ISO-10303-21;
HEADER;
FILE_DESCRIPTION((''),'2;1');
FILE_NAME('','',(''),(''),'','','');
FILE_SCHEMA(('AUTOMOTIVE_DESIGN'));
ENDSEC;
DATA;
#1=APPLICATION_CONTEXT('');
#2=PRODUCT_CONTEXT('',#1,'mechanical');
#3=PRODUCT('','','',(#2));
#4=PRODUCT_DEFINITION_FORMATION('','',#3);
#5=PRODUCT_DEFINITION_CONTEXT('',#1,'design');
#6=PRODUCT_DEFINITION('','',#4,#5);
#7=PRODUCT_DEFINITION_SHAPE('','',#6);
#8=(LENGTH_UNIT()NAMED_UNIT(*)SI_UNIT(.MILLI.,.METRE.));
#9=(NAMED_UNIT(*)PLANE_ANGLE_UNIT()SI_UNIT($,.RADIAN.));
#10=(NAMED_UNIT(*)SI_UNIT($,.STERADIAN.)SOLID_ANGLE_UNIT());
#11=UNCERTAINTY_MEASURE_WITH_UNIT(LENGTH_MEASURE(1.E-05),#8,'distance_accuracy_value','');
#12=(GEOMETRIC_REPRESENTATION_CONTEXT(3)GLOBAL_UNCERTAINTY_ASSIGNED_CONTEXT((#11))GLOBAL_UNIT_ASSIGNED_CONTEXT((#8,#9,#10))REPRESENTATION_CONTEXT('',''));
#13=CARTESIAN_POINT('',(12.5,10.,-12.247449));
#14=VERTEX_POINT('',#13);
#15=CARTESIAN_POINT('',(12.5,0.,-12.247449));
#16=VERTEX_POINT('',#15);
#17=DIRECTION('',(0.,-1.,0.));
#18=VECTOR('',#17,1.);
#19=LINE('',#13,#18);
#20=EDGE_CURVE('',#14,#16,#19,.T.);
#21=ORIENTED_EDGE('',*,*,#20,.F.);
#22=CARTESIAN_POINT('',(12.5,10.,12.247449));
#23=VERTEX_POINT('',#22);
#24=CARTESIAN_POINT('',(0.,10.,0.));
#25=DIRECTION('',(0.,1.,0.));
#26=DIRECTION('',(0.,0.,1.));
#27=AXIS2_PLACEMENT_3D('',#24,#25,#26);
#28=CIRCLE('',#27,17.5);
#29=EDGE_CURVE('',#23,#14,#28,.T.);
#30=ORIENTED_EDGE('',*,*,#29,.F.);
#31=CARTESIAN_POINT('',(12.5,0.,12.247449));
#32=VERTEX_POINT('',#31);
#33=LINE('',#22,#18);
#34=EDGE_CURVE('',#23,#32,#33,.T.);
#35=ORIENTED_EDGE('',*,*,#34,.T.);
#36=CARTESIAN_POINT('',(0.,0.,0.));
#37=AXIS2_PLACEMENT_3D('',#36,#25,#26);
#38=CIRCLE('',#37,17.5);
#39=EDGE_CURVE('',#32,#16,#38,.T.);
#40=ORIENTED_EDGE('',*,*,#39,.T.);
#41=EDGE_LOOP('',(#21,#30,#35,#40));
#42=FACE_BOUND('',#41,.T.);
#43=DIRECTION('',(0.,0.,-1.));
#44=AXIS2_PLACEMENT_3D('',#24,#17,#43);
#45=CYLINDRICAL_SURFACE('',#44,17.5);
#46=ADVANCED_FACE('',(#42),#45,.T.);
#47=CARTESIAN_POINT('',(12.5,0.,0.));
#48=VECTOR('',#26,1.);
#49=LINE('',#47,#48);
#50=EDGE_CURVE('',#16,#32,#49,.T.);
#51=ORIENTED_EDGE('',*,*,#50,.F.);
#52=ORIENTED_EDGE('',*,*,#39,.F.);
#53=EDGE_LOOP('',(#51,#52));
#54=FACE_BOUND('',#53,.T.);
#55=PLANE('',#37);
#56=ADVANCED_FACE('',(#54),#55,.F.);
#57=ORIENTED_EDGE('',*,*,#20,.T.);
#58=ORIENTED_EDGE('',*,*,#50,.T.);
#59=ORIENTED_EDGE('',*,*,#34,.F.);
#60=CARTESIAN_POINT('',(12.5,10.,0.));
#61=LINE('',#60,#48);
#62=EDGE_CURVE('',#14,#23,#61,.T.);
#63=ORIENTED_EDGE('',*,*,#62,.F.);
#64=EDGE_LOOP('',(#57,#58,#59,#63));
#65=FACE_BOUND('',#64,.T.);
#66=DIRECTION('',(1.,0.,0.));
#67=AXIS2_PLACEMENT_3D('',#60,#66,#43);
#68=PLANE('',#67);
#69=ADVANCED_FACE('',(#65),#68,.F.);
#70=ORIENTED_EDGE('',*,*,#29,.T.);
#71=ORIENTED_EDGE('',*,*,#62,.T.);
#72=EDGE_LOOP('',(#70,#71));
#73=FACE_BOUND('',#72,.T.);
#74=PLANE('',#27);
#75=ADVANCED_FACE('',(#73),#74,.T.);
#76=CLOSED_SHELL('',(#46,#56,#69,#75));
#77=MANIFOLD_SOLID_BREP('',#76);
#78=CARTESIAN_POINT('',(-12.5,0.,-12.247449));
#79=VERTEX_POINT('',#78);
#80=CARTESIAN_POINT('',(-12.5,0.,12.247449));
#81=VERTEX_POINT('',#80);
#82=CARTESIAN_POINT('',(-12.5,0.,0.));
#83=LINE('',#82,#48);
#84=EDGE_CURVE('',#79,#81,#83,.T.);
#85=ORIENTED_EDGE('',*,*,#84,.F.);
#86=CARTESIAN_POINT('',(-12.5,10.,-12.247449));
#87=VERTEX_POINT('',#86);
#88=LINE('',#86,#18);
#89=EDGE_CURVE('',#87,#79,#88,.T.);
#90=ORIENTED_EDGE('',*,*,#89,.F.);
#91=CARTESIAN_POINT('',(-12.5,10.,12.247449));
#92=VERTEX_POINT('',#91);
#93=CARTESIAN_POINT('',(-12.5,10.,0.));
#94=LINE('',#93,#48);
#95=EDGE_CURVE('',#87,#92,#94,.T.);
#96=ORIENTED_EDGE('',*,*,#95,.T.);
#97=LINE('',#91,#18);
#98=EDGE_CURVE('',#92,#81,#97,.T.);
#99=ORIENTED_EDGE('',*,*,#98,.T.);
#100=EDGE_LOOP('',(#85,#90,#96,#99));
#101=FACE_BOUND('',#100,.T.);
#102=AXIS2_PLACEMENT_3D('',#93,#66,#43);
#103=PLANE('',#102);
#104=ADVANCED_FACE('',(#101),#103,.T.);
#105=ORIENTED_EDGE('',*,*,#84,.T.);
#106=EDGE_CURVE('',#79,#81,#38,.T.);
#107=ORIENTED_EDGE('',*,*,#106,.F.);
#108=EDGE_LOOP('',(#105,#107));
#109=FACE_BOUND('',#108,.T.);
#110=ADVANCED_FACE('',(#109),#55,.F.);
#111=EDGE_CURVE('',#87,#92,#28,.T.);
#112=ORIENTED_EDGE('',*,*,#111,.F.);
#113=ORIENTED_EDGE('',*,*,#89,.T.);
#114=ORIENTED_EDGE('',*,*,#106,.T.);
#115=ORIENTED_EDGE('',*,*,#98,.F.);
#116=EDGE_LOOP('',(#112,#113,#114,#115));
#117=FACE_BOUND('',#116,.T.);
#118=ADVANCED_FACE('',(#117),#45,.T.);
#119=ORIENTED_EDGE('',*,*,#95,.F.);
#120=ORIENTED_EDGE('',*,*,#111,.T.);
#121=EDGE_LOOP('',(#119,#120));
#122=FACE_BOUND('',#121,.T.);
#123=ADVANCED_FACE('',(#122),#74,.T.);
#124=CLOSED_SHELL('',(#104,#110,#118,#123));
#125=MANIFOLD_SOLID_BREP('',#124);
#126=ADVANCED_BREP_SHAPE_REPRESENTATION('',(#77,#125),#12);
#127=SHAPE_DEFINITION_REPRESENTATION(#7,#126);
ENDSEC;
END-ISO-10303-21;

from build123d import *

# Parameters (mm, degrees)
BOSS_EXTRUDE1_DEPTH = 10


with BuildPart() as part:
    # Sketch2 → Boss-Extrude1 (new body)
    with BuildSketch(Plane(origin=(0, 0, 0), x_dir=(1, 0, 0), z_dir=(0, 1, 0))):
        with BuildLine():
            Line((-12.5, 9.987492178), (-12.5, 12.247448714))
            ThreePointArc((-12.5, 12.247448714), (-17.5, 0), (-12.5, -12.247448714))
            Line((-12.5, -12.247448714), (-12.5, -9.987492178))
            ThreePointArc((-12.5, -9.987492178), (-14.92684663, -5.76101117), (-15.968719423, -1))
            ThreePointArc((-15.968719423, -1), (-16, 0), (-15.968719423, 1))
            ThreePointArc((-15.968719423, 1), (-14.92684663, 5.76101117), (-12.5, 9.987492178))
        make_face()
        with BuildLine():
            Line((-12.5, 1), (-12.5, 9.987492178))
            ThreePointArc((-12.5, 9.987492178), (-14.92684663, 5.76101117), (-15.968719423, 1))
            Line((-15.968719423, 1), (-12.5, 1))
        make_face()
        with BuildLine():
            ThreePointArc((-15.968719423, -1), (-14.92684663, -5.76101117), (-12.5, -9.987492178))
            Line((-12.5, -9.987492178), (-12.5, -1))
            Line((-12.5, -1), (-15.968719423, -1))
        make_face()
        with BuildLine():
            Line((-12.5, -1), (-12.5, 1))
            Line((-12.5, 1), (-15.968719423, 1))
            ThreePointArc((-15.968719423, 1), (-16, 0), (-15.968719423, -1))
            Line((-15.968719423, -1), (-12.5, -1))
        make_face()
        with BuildLine():
            ThreePointArc((17.5, 0), (16.201851746, 6.614378278), (12.5, 12.247448714))
            Line((12.5, 12.247448714), (12.5, 9.987492178))
            ThreePointArc((12.5, 9.987492178), (14.92684663, 5.76101117), (15.968719423, 1))
            ThreePointArc((15.968719423, 1), (15.992177944, 0.500244559), (16, 0))
            ThreePointArc((16, 0), (15.992177944, -0.500244559), (15.968719423, -1))
            ThreePointArc((15.968719423, -1), (14.92684663, -5.76101117), (12.5, -9.987492178))
            Line((12.5, -9.987492178), (12.5, -12.247448714))
            ThreePointArc((12.5, -12.247448714), (16.201851746, -6.614378278), (17.5, 0))
        make_face()
        with BuildLine():
            ThreePointArc((15.968719423, 1), (14.92684663, 5.76101117), (12.5, 9.987492178))
            Line((12.5, 9.987492178), (12.5, 1))
            Line((12.5, 1), (15.968719423, 1))
        make_face()
        with BuildLine():
            Line((15.968719423, 1), (12.5, 1))
            Line((12.5, 1), (12.5, -1))
            Line((12.5, -1), (15.968719423, -1))
            ThreePointArc((15.968719423, -1), (15.992177944, -0.500244559), (16, 0))
            ThreePointArc((16, 0), (15.992177944, 0.500244559), (15.968719423, 1))
        make_face()
        with BuildLine():
            Line((12.5, -1), (12.5, -9.987492178))
            ThreePointArc((12.5, -9.987492178), (14.92684663, -5.76101117), (15.968719423, -1))
            Line((15.968719423, -1), (12.5, -1))
        make_face()
    extrude(amount=BOSS_EXTRUDE1_DEPTH)


solid = part.part
